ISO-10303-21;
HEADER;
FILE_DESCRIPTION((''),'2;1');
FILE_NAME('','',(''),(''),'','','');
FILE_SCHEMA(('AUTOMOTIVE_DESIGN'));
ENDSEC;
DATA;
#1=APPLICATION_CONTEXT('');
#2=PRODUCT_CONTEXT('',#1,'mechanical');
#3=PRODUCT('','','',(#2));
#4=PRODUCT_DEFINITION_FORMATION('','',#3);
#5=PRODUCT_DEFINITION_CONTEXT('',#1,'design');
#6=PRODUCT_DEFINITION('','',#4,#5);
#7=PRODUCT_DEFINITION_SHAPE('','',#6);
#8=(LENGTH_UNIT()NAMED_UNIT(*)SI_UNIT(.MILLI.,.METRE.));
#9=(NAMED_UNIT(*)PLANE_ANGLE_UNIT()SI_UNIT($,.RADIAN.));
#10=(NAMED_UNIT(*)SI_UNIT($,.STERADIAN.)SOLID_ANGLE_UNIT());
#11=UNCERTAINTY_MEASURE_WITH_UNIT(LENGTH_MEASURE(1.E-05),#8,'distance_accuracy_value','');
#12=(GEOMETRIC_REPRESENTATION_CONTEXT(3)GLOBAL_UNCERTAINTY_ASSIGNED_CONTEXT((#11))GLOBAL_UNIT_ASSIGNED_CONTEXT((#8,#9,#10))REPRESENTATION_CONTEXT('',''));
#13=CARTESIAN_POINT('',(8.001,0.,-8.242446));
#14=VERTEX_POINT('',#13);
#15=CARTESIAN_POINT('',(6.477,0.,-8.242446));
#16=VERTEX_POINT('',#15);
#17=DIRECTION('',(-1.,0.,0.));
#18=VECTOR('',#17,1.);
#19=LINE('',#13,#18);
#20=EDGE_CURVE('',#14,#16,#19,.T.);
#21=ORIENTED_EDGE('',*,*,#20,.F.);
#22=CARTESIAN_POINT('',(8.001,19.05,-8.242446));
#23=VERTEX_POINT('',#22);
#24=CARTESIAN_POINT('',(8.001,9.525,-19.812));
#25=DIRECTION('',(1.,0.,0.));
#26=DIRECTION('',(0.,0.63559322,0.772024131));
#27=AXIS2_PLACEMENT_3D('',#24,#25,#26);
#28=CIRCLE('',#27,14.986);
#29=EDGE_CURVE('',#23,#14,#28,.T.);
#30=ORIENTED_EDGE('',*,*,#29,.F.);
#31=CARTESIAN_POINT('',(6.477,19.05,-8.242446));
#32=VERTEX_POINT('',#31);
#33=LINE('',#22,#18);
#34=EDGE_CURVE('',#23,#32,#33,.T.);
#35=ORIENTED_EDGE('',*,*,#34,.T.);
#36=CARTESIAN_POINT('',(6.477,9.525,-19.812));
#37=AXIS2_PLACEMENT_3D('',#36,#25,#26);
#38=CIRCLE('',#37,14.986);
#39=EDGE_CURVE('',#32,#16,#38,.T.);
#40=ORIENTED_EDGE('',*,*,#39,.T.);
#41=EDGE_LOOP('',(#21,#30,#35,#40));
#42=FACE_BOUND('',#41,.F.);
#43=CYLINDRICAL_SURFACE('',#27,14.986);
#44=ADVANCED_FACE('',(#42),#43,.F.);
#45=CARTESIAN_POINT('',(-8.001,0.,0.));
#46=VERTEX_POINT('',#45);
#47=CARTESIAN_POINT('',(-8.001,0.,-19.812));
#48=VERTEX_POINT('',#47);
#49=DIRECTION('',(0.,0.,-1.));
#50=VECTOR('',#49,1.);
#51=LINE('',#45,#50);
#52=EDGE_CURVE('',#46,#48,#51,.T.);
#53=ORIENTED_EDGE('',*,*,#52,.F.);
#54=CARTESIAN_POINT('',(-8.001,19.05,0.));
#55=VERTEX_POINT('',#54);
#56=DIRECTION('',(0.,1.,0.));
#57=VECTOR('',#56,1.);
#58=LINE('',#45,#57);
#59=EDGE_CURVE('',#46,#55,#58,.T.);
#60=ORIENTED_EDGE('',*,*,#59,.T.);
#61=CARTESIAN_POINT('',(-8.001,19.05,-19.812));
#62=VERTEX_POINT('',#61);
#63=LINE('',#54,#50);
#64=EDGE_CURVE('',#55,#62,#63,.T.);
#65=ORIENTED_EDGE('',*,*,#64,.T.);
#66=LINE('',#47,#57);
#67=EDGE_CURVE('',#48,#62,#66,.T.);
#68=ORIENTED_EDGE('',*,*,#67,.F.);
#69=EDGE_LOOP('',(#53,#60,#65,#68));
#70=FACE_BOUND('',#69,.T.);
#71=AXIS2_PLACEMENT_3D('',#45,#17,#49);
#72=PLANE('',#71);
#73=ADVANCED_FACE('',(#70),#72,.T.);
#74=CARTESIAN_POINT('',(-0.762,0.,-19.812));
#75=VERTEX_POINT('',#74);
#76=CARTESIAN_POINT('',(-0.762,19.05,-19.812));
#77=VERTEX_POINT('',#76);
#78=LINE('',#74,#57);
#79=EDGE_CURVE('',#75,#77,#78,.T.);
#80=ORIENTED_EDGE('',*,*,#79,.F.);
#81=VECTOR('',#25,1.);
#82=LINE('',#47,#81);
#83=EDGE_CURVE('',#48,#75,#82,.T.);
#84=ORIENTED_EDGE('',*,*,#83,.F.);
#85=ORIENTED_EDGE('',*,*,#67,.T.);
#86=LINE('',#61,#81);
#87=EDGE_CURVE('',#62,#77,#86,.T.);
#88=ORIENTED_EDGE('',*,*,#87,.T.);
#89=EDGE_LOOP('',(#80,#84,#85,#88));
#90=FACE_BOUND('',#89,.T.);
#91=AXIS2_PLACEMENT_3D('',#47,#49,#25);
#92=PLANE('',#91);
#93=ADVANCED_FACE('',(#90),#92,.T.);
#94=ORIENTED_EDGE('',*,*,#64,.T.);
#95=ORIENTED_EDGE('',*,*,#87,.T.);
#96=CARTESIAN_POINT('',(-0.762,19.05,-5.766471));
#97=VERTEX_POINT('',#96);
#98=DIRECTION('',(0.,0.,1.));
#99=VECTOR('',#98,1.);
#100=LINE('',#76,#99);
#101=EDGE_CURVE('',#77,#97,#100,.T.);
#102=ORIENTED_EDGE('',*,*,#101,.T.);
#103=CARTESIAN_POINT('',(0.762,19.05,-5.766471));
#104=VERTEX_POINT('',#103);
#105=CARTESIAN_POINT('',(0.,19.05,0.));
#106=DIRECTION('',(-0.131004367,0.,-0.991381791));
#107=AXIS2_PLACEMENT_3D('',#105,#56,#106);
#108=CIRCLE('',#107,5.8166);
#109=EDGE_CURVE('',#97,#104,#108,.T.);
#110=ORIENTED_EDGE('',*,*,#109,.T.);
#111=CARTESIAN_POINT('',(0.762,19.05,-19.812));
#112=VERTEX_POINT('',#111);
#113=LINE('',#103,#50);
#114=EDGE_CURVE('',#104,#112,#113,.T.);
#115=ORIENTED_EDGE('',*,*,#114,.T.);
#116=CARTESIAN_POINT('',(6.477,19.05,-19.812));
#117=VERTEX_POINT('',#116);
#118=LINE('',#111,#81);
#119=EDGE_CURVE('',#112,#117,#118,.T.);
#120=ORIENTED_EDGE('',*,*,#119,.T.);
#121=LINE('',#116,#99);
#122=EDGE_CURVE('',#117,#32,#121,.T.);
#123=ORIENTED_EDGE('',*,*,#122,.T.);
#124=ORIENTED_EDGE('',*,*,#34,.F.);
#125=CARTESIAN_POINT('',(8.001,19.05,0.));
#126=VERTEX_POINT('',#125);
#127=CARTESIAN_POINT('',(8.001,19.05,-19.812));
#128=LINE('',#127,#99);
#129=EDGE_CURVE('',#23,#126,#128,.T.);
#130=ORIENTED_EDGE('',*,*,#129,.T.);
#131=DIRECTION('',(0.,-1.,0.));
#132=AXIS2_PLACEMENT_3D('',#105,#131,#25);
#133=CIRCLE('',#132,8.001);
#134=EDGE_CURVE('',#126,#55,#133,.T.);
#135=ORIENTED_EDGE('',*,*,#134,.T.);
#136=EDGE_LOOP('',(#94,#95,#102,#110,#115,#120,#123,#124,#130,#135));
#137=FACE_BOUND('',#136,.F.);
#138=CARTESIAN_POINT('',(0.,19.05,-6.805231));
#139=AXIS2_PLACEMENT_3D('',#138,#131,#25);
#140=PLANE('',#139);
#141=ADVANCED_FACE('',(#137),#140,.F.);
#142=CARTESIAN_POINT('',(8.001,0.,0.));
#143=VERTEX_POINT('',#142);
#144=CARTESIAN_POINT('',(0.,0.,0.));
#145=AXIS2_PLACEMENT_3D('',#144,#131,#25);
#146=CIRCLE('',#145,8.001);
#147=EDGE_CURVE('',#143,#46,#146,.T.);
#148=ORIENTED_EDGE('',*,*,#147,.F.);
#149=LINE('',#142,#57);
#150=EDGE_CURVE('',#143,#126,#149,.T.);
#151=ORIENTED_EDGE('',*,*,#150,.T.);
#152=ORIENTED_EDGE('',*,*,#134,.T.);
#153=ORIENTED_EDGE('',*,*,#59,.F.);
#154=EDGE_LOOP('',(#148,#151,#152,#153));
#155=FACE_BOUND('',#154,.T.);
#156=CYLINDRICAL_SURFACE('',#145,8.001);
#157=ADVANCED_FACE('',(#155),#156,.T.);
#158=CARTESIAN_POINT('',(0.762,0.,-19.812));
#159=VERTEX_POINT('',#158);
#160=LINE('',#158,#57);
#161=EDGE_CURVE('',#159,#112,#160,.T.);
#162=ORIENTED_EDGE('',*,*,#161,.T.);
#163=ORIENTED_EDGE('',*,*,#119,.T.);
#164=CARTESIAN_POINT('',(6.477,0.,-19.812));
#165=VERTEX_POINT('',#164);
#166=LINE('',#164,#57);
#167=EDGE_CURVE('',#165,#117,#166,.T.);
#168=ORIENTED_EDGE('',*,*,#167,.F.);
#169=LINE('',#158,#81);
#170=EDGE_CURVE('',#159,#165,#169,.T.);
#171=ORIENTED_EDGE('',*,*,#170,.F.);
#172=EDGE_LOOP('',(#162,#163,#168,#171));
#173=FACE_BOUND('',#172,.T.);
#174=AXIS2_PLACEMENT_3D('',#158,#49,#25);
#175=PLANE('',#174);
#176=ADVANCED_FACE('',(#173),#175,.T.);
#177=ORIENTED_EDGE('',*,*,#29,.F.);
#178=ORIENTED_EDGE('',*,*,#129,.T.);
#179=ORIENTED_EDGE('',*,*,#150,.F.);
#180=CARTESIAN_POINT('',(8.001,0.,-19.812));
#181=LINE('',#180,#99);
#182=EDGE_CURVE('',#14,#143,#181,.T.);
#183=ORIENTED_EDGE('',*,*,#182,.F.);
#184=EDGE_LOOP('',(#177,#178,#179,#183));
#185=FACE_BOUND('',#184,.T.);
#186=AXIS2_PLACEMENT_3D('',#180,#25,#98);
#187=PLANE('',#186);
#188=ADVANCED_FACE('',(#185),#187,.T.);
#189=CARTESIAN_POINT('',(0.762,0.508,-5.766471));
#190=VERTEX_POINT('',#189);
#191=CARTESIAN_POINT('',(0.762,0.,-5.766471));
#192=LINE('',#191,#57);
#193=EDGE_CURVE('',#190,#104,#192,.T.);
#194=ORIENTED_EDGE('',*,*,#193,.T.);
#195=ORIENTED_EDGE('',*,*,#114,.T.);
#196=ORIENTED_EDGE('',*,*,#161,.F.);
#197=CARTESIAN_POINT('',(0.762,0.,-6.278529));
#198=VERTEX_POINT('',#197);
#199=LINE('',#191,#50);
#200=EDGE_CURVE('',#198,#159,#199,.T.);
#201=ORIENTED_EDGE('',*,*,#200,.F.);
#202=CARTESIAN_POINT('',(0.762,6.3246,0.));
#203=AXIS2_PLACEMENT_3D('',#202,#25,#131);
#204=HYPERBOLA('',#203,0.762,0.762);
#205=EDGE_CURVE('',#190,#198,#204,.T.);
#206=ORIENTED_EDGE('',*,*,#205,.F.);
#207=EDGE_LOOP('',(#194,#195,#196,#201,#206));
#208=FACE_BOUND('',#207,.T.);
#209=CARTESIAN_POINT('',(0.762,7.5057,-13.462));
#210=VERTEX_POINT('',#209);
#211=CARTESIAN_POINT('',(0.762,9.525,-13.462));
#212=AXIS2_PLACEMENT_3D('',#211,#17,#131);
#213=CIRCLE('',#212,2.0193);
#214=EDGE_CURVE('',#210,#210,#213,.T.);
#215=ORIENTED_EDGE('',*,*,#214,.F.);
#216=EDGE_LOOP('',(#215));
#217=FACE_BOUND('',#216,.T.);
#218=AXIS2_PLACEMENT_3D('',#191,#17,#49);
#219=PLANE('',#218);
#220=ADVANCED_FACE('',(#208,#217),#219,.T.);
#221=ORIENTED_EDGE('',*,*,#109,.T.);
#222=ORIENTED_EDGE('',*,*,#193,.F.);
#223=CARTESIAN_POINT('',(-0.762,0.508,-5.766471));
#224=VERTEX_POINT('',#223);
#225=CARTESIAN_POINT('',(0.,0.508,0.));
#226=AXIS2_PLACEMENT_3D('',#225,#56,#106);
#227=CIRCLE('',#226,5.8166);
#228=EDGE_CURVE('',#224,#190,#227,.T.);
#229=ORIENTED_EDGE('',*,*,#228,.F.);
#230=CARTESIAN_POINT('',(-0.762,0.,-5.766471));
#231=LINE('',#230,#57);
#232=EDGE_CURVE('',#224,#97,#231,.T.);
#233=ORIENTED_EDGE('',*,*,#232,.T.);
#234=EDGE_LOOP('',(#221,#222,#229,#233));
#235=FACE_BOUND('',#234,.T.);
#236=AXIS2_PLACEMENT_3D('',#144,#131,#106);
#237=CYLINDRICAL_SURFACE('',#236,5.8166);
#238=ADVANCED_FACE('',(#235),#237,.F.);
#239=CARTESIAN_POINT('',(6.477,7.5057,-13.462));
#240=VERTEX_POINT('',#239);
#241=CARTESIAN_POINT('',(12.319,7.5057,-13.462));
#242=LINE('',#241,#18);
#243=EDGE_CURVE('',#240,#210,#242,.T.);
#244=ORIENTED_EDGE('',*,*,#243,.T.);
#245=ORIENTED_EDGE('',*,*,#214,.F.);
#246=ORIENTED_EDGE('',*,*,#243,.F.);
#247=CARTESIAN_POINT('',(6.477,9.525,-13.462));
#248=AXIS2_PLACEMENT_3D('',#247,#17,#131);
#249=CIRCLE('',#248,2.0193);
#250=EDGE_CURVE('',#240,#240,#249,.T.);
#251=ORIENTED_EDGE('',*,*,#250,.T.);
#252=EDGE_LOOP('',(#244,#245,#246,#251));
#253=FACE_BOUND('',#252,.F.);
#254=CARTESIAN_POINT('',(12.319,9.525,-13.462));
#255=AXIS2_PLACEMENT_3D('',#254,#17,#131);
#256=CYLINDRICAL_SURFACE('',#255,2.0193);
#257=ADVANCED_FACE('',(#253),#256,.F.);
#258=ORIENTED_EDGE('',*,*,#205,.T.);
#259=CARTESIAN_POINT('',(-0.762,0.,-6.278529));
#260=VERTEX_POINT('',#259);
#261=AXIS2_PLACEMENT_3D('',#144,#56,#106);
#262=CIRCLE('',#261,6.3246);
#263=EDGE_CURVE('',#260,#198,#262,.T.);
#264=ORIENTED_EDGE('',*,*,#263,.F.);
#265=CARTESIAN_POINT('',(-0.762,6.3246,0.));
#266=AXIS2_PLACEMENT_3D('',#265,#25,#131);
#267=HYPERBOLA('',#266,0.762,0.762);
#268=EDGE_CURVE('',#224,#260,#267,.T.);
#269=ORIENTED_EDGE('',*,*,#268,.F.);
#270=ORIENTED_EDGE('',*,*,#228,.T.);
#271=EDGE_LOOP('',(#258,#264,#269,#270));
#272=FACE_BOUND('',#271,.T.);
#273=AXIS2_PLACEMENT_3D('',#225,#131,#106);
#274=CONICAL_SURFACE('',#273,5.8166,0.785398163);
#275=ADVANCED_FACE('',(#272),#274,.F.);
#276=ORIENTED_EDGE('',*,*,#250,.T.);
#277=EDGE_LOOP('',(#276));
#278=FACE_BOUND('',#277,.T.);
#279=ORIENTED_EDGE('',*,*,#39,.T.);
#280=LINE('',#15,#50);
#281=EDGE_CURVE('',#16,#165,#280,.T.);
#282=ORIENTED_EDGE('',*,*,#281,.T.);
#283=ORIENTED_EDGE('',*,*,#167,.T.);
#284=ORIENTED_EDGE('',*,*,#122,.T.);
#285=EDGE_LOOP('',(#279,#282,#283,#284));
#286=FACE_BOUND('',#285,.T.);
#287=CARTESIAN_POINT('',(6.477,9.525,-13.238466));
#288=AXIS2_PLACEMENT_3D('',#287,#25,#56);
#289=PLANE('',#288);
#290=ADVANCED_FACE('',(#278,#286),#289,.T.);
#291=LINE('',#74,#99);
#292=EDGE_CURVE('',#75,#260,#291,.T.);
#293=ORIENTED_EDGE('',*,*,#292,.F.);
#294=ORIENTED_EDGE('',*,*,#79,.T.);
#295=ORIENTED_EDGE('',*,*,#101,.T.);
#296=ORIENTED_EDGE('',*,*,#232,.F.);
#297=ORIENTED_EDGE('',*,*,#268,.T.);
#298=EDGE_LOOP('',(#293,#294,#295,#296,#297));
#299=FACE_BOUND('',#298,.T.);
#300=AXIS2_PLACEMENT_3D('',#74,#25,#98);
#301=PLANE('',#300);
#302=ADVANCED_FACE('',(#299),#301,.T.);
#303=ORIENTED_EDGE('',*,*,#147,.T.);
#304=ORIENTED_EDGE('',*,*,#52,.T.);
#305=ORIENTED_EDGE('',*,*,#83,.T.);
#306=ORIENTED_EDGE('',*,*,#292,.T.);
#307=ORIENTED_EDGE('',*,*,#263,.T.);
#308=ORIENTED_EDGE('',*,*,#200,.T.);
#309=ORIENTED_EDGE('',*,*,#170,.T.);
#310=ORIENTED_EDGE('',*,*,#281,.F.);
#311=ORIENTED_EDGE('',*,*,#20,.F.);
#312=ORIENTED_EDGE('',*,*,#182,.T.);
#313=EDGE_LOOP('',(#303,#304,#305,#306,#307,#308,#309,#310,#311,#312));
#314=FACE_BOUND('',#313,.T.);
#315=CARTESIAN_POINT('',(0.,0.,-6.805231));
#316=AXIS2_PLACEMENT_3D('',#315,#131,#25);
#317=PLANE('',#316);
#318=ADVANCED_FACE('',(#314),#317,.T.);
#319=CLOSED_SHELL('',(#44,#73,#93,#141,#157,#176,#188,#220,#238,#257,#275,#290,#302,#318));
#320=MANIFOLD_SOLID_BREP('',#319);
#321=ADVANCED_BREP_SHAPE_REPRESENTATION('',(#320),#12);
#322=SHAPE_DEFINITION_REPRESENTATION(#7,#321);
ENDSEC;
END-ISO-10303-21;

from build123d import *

# Parameters (mm, degrees)
F1_DEPTH = 19.05
F2_SIZE  = 0.508
F4_DEPTH = 1.524
F6_D     = 4.0386
F6_DEPTH = 5.842
F6_TIP   = 1.213317848


with BuildPart() as f1:
    # F0 (on Front) → F1 (new body)
    with BuildSketch(Plane.XZ):
        with BuildLine():
            Line((8.001, -19.812), (8.001, 0))
            ThreePointArc((8.001, 0), (0, 8.001), (-8.001, 0))
            Line((-8.001, 0), (-8.001, -19.812))
            Line((-8.001, -19.812), (-0.762, -19.812))
            Line((-0.762, -19.812), (-0.762, -5.7664713266))
            ThreePointArc((-0.762, -5.7664713266), (0, 5.8166), (0.762, -5.7664713266))
            Line((0.762, -5.7664713266), (0.762, -19.812))
            Line((0.762, -19.812), (8.001, -19.812))
        make_face()
    extrude(amount=-F1_DEPTH)

    # F2
    f2_edges = [f1.edges().sort_by_distance(p)[0] for p in [
        (0, 0, 5.8166),
    ]]
    chamfer(f2_edges, length=F2_SIZE)

    # F3 (on face) → F4 (cut)
    with BuildSketch(Plane.YZ.offset(8.001)):
        with BuildLine():
            Line((19.05, -19.812), (19.05, -8.2424463785))
            ThreePointArc((19.05, -8.2424463785), (9.525, -4.826), (0, -8.2424463785))
            Line((0, -8.2424463785), (0, -19.812))
            Line((0, -19.812), (19.05, -19.812))
        make_face()
    extrude(amount=-F4_DEPTH, mode=Mode.SUBTRACT)

    # F6
    with Locations(Plane.YZ.offset(6.477)):
        with Locations((9.525, -13.462)):
            Hole(F6_D / 2, depth=F6_DEPTH)
            with Locations((0, 0, -(F6_DEPTH + F6_TIP / 2))):  # 118° drill point
                Cone(0, F6_D / 2, F6_TIP, mode=Mode.SUBTRACT)


solid = f1.part
